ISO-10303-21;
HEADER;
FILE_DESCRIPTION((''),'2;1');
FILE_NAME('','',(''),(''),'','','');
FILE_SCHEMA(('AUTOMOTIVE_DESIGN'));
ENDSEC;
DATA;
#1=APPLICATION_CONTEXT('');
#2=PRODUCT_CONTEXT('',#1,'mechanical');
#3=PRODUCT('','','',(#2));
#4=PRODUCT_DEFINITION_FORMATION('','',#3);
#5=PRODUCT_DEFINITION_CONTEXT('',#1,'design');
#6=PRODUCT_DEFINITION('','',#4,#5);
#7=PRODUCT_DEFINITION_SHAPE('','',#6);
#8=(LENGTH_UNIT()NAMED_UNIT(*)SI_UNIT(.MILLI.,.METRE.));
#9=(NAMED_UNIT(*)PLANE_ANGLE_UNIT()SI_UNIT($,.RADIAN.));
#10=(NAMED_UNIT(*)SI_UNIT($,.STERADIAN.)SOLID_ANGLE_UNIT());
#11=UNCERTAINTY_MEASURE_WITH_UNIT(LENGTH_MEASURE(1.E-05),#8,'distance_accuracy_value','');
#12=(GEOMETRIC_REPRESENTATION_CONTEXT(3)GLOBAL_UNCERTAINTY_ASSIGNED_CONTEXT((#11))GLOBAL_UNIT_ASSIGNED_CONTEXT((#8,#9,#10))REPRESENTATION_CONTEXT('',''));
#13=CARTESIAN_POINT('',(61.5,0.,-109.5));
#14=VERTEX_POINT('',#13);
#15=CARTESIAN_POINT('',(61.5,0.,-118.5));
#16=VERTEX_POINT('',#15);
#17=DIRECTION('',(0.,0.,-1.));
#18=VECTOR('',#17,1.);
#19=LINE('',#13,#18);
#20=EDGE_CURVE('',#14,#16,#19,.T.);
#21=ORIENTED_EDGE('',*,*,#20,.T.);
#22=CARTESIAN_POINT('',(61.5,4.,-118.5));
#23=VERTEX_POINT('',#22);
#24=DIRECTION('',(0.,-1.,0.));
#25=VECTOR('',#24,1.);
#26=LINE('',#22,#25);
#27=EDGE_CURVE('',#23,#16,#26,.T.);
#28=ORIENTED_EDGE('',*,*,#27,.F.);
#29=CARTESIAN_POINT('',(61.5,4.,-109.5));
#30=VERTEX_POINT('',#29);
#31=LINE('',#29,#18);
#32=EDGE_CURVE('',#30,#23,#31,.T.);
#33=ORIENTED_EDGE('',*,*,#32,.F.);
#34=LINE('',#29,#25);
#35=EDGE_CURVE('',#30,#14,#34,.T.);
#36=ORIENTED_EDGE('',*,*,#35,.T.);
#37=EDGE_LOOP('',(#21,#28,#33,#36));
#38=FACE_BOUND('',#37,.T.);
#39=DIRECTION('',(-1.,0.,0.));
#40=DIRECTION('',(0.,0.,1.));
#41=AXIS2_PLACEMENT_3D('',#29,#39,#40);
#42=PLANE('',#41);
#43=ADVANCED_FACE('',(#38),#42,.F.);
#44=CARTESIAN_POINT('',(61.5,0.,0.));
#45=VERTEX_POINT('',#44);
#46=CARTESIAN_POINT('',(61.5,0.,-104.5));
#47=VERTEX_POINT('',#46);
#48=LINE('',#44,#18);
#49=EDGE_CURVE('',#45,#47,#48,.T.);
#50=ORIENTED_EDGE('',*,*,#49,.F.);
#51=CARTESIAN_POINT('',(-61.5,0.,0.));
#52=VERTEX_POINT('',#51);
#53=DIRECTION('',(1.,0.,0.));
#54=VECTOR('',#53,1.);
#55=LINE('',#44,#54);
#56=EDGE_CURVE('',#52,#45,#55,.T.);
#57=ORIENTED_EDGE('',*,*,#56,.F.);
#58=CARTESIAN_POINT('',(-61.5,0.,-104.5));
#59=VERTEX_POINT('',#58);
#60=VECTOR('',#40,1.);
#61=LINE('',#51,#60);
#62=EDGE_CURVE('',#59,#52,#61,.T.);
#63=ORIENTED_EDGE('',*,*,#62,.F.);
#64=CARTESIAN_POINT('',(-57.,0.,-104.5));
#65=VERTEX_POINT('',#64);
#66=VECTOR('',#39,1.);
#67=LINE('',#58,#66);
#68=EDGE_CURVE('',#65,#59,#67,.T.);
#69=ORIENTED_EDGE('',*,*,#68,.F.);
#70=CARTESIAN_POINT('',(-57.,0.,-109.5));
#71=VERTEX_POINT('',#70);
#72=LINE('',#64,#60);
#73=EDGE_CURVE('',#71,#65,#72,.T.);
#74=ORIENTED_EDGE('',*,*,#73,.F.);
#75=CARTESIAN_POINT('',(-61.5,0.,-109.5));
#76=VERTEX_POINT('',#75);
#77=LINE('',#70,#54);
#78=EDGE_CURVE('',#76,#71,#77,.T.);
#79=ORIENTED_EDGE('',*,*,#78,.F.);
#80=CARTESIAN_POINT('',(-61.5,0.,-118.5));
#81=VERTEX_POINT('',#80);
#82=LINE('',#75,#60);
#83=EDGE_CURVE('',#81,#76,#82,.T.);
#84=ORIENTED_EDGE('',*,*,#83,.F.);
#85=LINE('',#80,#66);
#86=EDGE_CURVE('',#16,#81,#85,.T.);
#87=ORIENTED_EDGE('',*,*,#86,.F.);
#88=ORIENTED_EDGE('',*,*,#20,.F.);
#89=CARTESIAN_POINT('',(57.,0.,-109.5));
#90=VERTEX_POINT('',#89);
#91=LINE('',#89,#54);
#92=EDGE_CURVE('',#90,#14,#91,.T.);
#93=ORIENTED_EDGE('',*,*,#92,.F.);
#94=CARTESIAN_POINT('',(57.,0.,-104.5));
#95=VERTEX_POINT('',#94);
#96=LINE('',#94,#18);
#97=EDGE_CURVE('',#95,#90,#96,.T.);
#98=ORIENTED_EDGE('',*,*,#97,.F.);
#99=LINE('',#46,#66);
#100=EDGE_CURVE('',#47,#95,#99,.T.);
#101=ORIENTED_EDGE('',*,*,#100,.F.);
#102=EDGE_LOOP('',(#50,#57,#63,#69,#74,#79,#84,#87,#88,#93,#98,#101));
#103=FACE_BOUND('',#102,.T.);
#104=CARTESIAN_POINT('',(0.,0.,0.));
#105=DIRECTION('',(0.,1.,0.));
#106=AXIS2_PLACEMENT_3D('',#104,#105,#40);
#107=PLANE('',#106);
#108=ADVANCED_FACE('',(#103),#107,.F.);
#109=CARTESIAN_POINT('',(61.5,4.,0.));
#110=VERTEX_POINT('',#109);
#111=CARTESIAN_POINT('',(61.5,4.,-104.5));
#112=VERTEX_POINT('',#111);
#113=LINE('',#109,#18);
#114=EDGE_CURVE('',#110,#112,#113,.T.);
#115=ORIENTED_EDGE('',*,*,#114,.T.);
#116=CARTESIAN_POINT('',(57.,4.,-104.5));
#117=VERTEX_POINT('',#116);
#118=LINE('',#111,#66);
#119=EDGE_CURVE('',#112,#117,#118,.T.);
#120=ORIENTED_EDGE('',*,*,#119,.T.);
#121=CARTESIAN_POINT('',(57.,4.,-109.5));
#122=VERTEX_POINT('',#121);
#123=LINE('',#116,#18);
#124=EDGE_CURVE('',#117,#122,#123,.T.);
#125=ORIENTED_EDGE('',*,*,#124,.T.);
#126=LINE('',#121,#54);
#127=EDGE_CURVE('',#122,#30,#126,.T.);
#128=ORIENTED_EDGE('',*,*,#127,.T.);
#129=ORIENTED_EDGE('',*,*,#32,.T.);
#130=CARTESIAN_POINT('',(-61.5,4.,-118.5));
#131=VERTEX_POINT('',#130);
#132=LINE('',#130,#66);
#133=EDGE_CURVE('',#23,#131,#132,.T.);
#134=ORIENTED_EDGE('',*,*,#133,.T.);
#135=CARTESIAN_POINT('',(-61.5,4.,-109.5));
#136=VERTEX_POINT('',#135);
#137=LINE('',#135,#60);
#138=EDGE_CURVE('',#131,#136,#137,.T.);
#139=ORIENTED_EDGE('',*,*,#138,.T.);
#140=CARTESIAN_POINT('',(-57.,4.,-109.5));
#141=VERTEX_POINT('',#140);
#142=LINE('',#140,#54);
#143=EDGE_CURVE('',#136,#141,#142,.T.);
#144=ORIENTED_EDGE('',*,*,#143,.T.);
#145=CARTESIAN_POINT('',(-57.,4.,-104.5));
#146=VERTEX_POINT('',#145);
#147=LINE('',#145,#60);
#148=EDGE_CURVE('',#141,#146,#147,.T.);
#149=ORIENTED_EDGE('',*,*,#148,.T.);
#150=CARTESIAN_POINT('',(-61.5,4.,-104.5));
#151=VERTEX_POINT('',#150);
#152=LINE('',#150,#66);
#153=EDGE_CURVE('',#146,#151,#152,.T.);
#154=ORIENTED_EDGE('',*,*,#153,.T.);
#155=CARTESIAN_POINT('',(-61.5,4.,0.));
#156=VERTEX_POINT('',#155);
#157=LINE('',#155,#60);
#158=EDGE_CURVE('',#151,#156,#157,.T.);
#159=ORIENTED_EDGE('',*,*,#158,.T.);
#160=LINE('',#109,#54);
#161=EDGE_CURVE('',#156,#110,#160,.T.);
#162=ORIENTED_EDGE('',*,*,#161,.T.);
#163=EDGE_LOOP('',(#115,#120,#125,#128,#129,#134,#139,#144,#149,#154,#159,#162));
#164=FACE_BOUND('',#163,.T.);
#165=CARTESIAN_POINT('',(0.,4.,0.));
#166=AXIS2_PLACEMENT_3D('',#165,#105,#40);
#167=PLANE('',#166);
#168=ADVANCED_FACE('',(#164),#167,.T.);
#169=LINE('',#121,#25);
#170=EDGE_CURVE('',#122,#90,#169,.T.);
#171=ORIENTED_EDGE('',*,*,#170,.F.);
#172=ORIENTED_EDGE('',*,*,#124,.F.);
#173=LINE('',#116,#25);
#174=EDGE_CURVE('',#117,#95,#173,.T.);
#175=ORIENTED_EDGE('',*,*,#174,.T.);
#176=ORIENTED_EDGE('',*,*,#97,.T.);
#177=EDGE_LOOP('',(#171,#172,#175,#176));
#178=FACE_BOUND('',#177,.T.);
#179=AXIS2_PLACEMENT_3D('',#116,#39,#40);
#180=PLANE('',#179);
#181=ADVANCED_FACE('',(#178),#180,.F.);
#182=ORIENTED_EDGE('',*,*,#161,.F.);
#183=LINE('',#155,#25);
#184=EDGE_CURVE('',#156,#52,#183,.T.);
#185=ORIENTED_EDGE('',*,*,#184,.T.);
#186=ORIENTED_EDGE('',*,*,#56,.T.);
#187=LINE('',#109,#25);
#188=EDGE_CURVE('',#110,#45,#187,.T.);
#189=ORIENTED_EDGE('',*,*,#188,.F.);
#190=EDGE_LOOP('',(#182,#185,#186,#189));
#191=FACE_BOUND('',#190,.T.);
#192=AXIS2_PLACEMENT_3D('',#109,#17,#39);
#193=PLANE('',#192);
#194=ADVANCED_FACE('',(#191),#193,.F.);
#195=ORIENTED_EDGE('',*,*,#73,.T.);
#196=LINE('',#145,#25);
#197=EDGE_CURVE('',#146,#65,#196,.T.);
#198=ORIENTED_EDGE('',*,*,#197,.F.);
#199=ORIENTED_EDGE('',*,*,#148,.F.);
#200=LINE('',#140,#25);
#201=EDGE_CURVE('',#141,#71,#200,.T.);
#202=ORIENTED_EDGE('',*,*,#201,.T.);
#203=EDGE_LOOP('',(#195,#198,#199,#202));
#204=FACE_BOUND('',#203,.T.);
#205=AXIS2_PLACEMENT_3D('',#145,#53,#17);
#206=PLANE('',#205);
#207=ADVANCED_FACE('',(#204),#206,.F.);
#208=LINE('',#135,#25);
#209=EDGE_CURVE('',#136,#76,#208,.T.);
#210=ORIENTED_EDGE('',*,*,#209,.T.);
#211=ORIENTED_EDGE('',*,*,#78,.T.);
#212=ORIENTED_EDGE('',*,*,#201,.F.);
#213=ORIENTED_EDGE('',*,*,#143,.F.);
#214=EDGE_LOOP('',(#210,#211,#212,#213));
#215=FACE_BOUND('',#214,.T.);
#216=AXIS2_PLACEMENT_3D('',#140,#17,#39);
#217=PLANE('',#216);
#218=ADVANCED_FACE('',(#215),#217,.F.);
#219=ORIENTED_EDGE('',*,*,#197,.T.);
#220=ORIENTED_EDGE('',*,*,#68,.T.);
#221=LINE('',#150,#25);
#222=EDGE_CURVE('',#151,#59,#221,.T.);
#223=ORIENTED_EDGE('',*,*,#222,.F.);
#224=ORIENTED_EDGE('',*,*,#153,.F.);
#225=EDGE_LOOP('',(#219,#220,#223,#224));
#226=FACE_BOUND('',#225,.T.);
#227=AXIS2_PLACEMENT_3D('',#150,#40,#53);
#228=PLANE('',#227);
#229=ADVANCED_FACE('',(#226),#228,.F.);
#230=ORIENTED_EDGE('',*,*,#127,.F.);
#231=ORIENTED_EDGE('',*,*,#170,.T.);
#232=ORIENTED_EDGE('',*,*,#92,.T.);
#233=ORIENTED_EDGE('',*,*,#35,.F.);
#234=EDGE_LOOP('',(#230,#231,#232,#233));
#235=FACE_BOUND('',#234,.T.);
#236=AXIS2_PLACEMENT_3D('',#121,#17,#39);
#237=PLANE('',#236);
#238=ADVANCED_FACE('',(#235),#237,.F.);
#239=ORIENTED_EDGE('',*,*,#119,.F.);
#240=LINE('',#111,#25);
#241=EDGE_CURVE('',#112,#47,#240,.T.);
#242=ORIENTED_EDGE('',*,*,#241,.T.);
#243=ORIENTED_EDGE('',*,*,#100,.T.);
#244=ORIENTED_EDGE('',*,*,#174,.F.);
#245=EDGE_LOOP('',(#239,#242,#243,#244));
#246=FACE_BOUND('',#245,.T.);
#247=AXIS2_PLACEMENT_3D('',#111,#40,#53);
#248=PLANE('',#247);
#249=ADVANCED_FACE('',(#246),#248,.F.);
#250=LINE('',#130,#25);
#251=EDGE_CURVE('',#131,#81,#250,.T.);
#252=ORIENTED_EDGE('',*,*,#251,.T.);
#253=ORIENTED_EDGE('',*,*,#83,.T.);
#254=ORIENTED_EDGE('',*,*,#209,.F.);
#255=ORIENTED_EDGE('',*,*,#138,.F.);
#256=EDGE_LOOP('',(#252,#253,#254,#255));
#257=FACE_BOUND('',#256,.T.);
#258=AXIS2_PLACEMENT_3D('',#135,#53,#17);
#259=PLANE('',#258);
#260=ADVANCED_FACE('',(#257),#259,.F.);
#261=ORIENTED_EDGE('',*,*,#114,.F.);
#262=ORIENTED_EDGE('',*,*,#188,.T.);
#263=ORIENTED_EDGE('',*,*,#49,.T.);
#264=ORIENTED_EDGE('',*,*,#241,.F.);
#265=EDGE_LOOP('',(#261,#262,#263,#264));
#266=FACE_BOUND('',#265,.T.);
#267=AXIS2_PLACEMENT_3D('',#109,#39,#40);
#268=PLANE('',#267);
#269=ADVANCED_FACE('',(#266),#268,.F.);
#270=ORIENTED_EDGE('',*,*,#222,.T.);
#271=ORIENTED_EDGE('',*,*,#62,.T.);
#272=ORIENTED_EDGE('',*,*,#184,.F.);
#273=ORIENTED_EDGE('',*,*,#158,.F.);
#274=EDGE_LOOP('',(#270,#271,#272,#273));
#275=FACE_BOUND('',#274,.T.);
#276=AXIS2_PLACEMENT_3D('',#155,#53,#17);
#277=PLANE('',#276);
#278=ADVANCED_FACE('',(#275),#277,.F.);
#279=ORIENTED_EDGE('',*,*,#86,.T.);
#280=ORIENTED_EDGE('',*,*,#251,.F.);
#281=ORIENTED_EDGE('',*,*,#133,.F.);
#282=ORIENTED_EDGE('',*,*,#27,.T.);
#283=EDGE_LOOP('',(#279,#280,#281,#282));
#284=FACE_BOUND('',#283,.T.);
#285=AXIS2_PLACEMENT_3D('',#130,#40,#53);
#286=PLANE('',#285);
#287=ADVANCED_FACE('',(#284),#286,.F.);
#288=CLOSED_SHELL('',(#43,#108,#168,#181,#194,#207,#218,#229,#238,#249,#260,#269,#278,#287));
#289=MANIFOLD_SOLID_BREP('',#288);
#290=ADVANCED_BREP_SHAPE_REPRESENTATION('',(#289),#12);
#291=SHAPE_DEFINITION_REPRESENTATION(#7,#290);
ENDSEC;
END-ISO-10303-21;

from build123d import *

# Parameters (mm, degrees)
EXTRUDE_1_DEPTH = 4


with BuildPart() as part:
    # Эскиз1 → Бобышка-Вытянуть1 (new body)
    with BuildSketch(Plane(origin=(0, 0, 0), x_dir=(1, 0, 0), z_dir=(0, 1, 0))):
        Polygon((61.5, 0), (-61.5, 0), (-61.5, 104.5), (-57, 104.5), (-57, 109.5), (-61.5, 109.5), (-61.5, 118.5), (61.5, 118.5), (61.5, 109.5), (57, 109.5), (57, 104.5), (61.5, 104.5), align=None)
    extrude(amount=EXTRUDE_1_DEPTH)


solid = part.part
